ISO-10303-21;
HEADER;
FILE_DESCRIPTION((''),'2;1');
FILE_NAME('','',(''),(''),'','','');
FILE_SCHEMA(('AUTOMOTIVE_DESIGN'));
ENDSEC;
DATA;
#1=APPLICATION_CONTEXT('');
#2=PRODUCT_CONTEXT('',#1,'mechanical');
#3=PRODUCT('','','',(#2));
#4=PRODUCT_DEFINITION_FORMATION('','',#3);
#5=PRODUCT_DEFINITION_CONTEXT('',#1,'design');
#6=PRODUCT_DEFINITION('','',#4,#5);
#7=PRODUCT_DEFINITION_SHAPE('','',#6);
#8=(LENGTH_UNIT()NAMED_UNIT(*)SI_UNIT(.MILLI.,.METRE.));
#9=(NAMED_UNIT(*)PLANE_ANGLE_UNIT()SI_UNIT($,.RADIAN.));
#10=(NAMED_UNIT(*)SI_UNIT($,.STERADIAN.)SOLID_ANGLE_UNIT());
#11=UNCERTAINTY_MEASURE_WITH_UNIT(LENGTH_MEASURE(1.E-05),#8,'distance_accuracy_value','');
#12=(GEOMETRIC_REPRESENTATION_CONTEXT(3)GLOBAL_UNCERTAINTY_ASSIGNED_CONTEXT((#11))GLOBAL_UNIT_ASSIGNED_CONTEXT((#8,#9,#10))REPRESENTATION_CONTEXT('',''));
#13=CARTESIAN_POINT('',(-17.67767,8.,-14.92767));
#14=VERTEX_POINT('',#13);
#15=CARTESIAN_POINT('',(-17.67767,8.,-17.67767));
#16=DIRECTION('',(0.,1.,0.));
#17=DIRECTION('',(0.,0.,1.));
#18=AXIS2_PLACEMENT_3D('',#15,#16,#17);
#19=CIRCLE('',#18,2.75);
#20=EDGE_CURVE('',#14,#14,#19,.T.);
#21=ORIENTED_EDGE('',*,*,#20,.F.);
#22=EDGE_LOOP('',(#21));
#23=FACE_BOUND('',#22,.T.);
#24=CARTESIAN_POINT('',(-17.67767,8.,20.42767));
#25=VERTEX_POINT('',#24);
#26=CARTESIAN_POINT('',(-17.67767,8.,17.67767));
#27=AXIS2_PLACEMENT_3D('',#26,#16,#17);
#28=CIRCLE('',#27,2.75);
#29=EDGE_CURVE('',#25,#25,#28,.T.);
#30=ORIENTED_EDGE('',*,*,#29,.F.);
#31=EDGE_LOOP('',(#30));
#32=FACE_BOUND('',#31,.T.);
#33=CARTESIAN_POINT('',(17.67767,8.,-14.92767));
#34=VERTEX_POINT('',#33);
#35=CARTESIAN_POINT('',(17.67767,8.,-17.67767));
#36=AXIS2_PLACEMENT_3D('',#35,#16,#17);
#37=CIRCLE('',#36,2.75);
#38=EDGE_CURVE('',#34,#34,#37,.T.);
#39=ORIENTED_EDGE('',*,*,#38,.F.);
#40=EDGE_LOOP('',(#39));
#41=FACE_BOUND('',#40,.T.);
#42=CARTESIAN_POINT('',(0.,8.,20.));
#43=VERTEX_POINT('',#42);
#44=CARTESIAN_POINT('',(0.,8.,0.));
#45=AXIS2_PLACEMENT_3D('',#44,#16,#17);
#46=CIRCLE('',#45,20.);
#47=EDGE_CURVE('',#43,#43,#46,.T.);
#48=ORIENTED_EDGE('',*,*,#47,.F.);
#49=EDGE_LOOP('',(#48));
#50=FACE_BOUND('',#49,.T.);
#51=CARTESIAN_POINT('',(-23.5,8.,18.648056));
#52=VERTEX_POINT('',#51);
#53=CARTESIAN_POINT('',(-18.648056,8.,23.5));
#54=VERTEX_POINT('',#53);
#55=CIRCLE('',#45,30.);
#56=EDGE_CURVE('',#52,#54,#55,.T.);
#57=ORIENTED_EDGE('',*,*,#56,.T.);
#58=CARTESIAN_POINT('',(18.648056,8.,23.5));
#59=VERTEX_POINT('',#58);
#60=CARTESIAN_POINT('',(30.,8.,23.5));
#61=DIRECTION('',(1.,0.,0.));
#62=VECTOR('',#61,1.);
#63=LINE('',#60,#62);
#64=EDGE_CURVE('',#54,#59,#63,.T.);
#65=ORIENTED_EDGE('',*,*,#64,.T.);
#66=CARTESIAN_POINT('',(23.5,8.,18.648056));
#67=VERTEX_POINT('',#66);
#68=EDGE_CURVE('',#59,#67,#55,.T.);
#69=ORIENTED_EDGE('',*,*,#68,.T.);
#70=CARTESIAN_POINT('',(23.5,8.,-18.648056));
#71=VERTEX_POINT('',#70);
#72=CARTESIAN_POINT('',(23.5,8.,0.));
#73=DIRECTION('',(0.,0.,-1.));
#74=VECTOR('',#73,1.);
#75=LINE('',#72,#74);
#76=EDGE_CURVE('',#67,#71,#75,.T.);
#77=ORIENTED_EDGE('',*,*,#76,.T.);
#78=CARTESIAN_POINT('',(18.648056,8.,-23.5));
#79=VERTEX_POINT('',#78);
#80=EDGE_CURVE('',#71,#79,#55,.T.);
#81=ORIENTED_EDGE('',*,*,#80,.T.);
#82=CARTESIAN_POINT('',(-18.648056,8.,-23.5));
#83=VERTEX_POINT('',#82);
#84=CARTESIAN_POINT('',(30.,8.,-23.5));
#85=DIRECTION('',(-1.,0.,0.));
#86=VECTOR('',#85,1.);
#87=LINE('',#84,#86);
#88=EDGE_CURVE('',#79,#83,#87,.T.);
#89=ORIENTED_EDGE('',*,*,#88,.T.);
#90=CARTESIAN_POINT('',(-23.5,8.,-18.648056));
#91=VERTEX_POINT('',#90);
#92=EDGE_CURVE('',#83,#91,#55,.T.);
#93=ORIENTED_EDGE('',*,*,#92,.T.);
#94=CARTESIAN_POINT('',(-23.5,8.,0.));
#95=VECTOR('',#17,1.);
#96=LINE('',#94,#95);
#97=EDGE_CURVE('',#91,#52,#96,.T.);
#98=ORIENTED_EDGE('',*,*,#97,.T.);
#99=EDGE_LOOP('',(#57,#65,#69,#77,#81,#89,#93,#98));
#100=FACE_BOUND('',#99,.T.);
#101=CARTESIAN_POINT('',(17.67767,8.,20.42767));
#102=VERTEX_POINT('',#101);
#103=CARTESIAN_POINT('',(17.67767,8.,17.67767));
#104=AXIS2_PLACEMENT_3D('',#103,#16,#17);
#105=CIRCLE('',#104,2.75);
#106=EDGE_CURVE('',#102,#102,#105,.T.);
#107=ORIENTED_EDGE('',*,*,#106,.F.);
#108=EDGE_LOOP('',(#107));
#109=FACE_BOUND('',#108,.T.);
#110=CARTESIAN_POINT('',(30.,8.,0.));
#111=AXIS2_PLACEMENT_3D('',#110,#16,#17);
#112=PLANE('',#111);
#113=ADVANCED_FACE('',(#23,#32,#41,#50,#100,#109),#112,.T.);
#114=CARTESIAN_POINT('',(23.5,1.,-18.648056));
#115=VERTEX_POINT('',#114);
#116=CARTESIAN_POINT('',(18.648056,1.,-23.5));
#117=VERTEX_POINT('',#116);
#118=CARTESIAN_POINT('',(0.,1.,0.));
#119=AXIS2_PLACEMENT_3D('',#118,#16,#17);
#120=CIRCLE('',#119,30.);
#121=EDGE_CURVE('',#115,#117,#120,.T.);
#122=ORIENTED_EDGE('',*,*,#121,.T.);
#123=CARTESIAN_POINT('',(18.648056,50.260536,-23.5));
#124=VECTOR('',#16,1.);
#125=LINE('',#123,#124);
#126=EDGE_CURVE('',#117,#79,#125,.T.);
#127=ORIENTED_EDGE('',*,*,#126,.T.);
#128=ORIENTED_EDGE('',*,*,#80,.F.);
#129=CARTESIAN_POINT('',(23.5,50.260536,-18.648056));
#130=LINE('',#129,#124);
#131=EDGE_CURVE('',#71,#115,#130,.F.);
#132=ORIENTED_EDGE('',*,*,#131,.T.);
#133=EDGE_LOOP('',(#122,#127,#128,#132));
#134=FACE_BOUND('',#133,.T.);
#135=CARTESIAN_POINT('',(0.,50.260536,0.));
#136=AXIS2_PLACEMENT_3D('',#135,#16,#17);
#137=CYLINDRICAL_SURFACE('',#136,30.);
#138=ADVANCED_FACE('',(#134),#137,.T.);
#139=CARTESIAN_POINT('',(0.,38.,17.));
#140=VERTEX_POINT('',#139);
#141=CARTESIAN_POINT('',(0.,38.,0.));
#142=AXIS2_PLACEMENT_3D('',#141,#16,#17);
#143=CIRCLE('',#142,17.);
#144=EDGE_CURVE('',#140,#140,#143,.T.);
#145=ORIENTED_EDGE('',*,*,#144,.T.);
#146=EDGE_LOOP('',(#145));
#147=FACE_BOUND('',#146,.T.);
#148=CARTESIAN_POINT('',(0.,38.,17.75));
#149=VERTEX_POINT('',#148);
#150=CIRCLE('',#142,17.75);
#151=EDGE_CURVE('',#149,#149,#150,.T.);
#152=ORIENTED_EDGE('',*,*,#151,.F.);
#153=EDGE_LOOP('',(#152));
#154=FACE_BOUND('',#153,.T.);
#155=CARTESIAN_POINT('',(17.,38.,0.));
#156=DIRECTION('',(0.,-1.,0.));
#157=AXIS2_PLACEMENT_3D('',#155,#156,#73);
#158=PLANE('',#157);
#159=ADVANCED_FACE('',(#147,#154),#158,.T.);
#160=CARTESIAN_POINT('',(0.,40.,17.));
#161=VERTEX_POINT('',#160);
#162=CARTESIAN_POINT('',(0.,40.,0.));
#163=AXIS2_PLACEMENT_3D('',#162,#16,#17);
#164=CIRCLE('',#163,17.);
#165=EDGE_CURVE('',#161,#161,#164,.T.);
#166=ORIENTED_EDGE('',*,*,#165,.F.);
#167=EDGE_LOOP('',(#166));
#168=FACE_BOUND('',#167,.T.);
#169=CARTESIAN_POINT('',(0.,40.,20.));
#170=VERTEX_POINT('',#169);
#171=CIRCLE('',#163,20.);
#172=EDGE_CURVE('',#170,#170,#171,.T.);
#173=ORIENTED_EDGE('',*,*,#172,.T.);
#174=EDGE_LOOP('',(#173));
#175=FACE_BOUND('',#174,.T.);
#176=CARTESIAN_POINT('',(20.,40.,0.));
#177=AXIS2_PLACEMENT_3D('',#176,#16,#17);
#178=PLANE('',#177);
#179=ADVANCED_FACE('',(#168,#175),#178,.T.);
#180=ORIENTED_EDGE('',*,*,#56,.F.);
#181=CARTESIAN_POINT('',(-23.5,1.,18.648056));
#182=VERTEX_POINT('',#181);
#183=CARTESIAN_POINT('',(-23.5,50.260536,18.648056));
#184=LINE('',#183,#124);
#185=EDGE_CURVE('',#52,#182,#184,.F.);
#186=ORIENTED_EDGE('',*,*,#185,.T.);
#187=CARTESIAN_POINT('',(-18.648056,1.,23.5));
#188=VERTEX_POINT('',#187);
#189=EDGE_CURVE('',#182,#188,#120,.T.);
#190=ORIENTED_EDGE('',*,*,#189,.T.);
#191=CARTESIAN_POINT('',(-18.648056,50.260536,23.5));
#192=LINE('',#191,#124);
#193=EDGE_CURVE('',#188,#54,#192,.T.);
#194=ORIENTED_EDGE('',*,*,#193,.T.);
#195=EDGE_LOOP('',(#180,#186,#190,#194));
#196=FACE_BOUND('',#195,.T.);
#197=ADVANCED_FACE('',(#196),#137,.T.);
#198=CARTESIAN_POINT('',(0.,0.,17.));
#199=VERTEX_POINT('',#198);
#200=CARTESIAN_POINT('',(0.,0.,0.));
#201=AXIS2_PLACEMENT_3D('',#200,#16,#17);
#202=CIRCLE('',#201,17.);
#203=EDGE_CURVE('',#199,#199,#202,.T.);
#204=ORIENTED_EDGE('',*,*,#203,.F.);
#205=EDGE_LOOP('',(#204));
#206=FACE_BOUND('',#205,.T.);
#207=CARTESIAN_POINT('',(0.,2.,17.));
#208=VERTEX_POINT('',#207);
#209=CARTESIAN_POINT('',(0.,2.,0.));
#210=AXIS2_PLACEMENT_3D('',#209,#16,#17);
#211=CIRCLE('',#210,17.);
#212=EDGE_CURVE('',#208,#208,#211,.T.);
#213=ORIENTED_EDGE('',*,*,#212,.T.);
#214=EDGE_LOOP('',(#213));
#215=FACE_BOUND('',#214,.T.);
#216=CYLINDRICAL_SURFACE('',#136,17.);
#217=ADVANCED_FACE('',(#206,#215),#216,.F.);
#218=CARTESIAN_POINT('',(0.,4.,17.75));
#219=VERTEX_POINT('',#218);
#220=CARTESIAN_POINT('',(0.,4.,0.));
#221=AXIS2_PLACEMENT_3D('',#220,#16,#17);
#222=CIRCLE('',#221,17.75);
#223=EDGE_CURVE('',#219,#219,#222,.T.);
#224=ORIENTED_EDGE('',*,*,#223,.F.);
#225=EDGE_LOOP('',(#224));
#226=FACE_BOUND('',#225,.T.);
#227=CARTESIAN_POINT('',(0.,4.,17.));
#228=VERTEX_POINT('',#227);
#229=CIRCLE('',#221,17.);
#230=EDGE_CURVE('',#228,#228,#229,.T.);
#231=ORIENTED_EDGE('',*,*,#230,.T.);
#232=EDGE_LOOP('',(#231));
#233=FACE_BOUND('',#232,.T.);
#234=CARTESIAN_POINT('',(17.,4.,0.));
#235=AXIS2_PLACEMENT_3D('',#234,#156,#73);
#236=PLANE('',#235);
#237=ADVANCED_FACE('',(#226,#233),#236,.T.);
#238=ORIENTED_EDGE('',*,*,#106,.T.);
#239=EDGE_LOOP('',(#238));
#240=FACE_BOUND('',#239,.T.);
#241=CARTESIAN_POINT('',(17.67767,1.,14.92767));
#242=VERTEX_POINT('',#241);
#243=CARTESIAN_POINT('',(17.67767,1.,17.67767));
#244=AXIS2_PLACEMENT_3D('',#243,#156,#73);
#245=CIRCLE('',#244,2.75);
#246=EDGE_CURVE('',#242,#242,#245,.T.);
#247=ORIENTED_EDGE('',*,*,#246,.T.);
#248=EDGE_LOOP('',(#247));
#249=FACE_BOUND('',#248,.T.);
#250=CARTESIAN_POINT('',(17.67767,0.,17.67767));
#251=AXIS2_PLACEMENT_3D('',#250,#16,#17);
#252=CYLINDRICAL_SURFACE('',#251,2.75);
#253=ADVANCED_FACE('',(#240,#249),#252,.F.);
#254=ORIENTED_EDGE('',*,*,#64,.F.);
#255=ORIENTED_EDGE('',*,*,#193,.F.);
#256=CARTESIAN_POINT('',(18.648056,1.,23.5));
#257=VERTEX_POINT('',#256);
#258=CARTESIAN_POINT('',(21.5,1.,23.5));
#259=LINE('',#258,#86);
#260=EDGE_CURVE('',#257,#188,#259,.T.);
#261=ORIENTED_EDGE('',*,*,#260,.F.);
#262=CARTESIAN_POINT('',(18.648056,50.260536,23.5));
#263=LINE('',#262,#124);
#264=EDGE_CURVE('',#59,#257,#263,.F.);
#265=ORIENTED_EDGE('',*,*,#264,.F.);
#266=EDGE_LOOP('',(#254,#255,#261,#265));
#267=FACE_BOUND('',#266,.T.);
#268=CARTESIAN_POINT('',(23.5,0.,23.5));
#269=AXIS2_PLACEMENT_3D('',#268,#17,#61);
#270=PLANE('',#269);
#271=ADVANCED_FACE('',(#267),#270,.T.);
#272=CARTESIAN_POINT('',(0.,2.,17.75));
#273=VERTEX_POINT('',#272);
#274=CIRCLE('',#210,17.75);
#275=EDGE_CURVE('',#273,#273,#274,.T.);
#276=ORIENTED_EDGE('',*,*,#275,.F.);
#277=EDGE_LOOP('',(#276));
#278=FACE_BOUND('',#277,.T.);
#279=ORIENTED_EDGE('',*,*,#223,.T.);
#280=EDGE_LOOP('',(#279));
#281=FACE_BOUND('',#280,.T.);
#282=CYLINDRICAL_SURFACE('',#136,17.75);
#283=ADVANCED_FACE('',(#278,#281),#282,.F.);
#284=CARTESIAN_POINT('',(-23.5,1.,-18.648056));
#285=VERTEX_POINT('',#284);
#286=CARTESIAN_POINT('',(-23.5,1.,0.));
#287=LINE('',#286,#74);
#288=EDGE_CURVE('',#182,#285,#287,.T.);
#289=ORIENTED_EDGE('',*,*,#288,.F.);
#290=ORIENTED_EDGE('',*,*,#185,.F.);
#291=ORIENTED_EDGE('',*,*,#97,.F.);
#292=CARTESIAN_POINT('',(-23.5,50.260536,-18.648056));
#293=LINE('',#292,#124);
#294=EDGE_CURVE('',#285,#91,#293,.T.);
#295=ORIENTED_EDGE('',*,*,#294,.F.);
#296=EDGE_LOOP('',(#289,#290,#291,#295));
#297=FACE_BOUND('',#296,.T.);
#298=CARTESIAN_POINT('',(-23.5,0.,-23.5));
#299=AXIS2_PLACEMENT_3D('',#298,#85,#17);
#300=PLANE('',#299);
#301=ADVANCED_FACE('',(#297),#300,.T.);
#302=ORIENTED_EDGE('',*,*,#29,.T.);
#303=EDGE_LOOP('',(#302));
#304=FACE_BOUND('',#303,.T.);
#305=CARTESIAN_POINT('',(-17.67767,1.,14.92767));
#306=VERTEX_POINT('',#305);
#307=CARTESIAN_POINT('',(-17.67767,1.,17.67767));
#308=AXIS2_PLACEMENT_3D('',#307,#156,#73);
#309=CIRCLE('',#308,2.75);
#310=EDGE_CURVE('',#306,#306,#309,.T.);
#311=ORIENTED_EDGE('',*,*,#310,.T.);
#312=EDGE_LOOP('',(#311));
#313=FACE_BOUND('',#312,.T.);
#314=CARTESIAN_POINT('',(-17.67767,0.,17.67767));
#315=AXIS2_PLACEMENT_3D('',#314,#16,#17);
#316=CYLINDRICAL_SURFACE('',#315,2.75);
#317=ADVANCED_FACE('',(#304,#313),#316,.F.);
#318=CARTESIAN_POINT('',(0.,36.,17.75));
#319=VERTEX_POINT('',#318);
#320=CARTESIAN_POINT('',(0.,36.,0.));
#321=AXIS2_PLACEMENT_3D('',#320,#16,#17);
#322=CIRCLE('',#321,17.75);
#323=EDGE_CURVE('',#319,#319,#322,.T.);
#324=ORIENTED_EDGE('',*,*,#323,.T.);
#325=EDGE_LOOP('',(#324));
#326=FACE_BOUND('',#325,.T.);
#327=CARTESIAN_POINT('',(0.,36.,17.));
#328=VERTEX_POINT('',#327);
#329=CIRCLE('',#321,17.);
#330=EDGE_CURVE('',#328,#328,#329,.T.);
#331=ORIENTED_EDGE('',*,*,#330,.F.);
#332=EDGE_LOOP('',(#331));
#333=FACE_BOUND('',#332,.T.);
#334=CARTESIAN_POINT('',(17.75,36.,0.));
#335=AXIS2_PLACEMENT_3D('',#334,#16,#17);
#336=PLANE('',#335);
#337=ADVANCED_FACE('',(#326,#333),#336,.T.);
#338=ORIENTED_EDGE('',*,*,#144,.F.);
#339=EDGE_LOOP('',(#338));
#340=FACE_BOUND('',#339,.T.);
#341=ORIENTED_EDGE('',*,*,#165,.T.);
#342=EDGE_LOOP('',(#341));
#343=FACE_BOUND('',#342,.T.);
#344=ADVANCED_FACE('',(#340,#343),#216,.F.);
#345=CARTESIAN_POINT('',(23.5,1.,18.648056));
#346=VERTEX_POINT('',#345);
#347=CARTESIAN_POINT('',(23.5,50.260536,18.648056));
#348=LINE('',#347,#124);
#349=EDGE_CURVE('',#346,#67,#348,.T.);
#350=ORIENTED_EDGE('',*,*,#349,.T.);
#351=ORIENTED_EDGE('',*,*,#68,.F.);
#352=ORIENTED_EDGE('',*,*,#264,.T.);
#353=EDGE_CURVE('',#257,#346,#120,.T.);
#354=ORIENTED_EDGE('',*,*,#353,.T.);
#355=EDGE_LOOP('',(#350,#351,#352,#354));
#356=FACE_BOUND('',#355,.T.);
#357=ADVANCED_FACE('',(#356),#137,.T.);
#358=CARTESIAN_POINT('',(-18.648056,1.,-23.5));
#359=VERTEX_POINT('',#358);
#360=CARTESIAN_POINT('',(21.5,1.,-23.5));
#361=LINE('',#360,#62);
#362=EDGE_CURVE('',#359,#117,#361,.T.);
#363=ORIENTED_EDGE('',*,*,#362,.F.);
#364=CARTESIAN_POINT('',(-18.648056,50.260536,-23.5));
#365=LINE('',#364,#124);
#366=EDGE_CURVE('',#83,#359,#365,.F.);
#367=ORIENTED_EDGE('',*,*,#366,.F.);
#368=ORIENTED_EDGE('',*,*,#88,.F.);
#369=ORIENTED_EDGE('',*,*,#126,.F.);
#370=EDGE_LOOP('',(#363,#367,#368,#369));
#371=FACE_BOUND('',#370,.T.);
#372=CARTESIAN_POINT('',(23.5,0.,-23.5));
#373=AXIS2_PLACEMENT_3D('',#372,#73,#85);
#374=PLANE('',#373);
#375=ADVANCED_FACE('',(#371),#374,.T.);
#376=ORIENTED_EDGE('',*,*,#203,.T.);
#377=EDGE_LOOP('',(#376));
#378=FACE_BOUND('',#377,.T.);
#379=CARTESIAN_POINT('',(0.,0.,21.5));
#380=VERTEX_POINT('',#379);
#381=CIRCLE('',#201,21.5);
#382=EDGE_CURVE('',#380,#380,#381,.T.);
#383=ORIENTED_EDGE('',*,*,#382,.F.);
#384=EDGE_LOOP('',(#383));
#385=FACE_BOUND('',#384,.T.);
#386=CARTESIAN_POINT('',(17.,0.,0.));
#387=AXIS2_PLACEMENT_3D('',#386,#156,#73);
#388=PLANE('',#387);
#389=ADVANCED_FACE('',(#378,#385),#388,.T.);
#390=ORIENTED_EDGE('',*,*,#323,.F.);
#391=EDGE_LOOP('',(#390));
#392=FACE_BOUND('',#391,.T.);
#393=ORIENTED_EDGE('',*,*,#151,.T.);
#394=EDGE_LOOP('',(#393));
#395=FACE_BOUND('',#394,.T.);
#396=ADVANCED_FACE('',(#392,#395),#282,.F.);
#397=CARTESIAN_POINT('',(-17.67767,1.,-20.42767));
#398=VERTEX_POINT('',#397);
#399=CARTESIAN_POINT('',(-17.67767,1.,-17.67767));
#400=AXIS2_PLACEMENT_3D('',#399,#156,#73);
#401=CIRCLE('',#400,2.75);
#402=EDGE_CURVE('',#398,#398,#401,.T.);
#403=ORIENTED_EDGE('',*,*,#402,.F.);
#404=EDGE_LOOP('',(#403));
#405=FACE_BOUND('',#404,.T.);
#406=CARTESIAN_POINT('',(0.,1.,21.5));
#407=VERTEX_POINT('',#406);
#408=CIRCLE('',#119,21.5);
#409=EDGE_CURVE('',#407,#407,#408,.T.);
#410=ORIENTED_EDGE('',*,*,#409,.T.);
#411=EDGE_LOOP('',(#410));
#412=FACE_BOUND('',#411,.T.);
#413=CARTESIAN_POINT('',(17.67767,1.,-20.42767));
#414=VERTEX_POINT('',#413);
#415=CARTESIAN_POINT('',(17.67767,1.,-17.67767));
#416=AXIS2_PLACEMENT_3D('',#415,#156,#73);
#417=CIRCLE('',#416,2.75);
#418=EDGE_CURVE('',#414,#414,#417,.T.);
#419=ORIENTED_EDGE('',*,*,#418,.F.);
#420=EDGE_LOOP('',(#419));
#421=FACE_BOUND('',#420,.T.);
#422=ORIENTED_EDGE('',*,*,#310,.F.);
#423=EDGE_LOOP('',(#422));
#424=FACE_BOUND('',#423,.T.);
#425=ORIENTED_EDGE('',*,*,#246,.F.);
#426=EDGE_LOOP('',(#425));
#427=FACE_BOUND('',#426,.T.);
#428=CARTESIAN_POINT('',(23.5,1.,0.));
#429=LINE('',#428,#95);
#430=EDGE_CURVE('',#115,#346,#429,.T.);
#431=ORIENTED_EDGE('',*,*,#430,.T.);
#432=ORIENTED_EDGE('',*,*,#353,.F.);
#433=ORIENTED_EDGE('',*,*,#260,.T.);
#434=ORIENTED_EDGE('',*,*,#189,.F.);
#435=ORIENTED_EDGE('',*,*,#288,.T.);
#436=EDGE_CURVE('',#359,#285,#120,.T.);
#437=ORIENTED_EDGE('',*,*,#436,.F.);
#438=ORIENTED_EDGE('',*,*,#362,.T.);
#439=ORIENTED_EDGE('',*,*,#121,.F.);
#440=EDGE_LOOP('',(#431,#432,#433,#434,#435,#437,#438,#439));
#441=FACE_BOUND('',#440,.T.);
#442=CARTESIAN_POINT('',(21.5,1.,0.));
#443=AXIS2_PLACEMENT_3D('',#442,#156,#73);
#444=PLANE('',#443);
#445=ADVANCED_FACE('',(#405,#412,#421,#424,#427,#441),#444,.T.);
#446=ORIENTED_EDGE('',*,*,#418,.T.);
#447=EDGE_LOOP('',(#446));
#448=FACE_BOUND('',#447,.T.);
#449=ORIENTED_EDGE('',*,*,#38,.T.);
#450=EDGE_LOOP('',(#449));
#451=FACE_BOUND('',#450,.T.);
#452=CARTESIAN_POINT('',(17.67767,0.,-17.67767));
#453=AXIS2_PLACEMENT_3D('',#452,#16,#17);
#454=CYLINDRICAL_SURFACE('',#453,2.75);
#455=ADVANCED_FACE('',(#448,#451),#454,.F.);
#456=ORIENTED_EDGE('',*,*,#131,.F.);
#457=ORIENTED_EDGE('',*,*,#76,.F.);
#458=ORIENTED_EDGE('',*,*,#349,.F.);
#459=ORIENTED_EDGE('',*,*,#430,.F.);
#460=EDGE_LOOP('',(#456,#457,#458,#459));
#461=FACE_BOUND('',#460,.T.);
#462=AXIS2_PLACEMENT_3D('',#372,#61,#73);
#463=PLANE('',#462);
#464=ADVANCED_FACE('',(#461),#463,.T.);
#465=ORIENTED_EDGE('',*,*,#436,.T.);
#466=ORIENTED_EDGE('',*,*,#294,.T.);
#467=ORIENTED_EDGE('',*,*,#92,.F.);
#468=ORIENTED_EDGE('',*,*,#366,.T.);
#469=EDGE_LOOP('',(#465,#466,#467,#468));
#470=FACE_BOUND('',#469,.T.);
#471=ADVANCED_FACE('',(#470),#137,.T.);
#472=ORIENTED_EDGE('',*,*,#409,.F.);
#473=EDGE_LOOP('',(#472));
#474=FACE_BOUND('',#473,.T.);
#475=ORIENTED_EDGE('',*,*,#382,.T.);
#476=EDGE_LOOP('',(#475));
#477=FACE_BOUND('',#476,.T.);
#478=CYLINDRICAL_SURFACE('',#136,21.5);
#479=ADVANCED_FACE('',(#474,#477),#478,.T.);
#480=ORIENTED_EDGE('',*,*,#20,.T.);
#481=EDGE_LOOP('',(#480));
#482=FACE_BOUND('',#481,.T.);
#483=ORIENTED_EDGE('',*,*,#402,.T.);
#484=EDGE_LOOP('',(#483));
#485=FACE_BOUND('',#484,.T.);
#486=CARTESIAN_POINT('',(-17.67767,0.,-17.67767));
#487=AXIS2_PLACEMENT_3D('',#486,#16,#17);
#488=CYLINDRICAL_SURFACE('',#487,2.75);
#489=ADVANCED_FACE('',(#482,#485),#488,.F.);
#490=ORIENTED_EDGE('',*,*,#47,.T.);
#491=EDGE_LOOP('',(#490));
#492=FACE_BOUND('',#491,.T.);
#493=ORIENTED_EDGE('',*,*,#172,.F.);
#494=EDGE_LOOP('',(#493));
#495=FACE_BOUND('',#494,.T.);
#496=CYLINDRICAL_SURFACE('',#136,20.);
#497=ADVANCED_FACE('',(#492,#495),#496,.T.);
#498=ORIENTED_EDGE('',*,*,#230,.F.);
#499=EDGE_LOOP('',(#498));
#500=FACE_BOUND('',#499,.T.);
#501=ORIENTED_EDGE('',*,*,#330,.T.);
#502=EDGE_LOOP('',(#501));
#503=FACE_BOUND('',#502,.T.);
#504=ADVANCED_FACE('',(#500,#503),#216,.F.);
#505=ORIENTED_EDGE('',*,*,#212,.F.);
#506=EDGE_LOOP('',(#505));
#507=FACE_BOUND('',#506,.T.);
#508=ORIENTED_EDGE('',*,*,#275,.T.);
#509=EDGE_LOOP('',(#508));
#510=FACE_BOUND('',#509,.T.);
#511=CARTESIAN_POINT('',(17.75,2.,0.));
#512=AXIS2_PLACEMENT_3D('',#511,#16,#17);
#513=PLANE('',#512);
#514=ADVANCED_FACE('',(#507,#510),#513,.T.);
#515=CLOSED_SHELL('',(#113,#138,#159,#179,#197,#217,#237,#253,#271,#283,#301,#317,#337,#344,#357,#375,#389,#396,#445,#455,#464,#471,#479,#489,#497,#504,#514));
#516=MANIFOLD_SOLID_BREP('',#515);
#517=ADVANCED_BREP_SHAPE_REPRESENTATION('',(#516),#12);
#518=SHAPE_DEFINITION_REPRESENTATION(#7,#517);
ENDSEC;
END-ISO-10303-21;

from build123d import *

# Parameters (mm, degrees)
SKETCH_4_R           = 2.75
CUT_EXTRUDE_1_DEPTH  = 54.141321022
SKETCH_5_OUTSIDE_W   = 80.762
SKETCH_5_OUTSIDE_H   = 80.762
SKETCH_5_OUTSIDE_W_2 = 47
SKETCH_5_OUTSIDE_H_2 = 47
CUT_EXTRUDE_2_DEPTH  = 54.141321022


with BuildPart() as part:
    # Эскиз1 → Повернуть1 (revolve)
    with BuildSketch(Plane.XY):
        Polygon((-17, 0), (-21.5, 0), (-21.5, 1), (-30, 1), (-30, 8), (-20, 8), (-20, 40), (-17, 40), (-17, 38), (-17.75, 38), (-17.75, 36), (-17, 36), (-17, 4), (-17.75, 4), (-17.75, 2), (-17, 2), align=None)
    revolve(axis=Axis((0, 50.260536223, 0), (0, -1, 0)))

    # Эскиз4 → Вырез-Вытянуть1 (cut, through all)
    with BuildSketch(Plane(origin=(0, 8, 0), x_dir=(1, 0, 0), z_dir=(0, 1, 0))):
        with Locations((-17.67766953, 17.67766953)):
            Circle(SKETCH_4_R)
        with Locations((-17.67766953, -17.67766953)):
            Circle(SKETCH_4_R)
        with Locations((17.67766953, 17.67766953)):
            Circle(SKETCH_4_R)
        with Locations((17.67766953, -17.67766953)):
            Circle(SKETCH_4_R)
    extrude(amount=-CUT_EXTRUDE_1_DEPTH, mode=Mode.SUBTRACT)

    # Эскиз5 outside → Вырез-Вытянуть2 (cut, through all)
    with BuildSketch(Plane(origin=(0, 8, 0), x_dir=(1, 0, 0), z_dir=(0, 1, 0))):
        Rectangle(SKETCH_5_OUTSIDE_W, SKETCH_5_OUTSIDE_H)
        Rectangle(SKETCH_5_OUTSIDE_W_2, SKETCH_5_OUTSIDE_H_2, mode=Mode.SUBTRACT)
    extrude(amount=-CUT_EXTRUDE_2_DEPTH, mode=Mode.SUBTRACT)


solid = part.part
